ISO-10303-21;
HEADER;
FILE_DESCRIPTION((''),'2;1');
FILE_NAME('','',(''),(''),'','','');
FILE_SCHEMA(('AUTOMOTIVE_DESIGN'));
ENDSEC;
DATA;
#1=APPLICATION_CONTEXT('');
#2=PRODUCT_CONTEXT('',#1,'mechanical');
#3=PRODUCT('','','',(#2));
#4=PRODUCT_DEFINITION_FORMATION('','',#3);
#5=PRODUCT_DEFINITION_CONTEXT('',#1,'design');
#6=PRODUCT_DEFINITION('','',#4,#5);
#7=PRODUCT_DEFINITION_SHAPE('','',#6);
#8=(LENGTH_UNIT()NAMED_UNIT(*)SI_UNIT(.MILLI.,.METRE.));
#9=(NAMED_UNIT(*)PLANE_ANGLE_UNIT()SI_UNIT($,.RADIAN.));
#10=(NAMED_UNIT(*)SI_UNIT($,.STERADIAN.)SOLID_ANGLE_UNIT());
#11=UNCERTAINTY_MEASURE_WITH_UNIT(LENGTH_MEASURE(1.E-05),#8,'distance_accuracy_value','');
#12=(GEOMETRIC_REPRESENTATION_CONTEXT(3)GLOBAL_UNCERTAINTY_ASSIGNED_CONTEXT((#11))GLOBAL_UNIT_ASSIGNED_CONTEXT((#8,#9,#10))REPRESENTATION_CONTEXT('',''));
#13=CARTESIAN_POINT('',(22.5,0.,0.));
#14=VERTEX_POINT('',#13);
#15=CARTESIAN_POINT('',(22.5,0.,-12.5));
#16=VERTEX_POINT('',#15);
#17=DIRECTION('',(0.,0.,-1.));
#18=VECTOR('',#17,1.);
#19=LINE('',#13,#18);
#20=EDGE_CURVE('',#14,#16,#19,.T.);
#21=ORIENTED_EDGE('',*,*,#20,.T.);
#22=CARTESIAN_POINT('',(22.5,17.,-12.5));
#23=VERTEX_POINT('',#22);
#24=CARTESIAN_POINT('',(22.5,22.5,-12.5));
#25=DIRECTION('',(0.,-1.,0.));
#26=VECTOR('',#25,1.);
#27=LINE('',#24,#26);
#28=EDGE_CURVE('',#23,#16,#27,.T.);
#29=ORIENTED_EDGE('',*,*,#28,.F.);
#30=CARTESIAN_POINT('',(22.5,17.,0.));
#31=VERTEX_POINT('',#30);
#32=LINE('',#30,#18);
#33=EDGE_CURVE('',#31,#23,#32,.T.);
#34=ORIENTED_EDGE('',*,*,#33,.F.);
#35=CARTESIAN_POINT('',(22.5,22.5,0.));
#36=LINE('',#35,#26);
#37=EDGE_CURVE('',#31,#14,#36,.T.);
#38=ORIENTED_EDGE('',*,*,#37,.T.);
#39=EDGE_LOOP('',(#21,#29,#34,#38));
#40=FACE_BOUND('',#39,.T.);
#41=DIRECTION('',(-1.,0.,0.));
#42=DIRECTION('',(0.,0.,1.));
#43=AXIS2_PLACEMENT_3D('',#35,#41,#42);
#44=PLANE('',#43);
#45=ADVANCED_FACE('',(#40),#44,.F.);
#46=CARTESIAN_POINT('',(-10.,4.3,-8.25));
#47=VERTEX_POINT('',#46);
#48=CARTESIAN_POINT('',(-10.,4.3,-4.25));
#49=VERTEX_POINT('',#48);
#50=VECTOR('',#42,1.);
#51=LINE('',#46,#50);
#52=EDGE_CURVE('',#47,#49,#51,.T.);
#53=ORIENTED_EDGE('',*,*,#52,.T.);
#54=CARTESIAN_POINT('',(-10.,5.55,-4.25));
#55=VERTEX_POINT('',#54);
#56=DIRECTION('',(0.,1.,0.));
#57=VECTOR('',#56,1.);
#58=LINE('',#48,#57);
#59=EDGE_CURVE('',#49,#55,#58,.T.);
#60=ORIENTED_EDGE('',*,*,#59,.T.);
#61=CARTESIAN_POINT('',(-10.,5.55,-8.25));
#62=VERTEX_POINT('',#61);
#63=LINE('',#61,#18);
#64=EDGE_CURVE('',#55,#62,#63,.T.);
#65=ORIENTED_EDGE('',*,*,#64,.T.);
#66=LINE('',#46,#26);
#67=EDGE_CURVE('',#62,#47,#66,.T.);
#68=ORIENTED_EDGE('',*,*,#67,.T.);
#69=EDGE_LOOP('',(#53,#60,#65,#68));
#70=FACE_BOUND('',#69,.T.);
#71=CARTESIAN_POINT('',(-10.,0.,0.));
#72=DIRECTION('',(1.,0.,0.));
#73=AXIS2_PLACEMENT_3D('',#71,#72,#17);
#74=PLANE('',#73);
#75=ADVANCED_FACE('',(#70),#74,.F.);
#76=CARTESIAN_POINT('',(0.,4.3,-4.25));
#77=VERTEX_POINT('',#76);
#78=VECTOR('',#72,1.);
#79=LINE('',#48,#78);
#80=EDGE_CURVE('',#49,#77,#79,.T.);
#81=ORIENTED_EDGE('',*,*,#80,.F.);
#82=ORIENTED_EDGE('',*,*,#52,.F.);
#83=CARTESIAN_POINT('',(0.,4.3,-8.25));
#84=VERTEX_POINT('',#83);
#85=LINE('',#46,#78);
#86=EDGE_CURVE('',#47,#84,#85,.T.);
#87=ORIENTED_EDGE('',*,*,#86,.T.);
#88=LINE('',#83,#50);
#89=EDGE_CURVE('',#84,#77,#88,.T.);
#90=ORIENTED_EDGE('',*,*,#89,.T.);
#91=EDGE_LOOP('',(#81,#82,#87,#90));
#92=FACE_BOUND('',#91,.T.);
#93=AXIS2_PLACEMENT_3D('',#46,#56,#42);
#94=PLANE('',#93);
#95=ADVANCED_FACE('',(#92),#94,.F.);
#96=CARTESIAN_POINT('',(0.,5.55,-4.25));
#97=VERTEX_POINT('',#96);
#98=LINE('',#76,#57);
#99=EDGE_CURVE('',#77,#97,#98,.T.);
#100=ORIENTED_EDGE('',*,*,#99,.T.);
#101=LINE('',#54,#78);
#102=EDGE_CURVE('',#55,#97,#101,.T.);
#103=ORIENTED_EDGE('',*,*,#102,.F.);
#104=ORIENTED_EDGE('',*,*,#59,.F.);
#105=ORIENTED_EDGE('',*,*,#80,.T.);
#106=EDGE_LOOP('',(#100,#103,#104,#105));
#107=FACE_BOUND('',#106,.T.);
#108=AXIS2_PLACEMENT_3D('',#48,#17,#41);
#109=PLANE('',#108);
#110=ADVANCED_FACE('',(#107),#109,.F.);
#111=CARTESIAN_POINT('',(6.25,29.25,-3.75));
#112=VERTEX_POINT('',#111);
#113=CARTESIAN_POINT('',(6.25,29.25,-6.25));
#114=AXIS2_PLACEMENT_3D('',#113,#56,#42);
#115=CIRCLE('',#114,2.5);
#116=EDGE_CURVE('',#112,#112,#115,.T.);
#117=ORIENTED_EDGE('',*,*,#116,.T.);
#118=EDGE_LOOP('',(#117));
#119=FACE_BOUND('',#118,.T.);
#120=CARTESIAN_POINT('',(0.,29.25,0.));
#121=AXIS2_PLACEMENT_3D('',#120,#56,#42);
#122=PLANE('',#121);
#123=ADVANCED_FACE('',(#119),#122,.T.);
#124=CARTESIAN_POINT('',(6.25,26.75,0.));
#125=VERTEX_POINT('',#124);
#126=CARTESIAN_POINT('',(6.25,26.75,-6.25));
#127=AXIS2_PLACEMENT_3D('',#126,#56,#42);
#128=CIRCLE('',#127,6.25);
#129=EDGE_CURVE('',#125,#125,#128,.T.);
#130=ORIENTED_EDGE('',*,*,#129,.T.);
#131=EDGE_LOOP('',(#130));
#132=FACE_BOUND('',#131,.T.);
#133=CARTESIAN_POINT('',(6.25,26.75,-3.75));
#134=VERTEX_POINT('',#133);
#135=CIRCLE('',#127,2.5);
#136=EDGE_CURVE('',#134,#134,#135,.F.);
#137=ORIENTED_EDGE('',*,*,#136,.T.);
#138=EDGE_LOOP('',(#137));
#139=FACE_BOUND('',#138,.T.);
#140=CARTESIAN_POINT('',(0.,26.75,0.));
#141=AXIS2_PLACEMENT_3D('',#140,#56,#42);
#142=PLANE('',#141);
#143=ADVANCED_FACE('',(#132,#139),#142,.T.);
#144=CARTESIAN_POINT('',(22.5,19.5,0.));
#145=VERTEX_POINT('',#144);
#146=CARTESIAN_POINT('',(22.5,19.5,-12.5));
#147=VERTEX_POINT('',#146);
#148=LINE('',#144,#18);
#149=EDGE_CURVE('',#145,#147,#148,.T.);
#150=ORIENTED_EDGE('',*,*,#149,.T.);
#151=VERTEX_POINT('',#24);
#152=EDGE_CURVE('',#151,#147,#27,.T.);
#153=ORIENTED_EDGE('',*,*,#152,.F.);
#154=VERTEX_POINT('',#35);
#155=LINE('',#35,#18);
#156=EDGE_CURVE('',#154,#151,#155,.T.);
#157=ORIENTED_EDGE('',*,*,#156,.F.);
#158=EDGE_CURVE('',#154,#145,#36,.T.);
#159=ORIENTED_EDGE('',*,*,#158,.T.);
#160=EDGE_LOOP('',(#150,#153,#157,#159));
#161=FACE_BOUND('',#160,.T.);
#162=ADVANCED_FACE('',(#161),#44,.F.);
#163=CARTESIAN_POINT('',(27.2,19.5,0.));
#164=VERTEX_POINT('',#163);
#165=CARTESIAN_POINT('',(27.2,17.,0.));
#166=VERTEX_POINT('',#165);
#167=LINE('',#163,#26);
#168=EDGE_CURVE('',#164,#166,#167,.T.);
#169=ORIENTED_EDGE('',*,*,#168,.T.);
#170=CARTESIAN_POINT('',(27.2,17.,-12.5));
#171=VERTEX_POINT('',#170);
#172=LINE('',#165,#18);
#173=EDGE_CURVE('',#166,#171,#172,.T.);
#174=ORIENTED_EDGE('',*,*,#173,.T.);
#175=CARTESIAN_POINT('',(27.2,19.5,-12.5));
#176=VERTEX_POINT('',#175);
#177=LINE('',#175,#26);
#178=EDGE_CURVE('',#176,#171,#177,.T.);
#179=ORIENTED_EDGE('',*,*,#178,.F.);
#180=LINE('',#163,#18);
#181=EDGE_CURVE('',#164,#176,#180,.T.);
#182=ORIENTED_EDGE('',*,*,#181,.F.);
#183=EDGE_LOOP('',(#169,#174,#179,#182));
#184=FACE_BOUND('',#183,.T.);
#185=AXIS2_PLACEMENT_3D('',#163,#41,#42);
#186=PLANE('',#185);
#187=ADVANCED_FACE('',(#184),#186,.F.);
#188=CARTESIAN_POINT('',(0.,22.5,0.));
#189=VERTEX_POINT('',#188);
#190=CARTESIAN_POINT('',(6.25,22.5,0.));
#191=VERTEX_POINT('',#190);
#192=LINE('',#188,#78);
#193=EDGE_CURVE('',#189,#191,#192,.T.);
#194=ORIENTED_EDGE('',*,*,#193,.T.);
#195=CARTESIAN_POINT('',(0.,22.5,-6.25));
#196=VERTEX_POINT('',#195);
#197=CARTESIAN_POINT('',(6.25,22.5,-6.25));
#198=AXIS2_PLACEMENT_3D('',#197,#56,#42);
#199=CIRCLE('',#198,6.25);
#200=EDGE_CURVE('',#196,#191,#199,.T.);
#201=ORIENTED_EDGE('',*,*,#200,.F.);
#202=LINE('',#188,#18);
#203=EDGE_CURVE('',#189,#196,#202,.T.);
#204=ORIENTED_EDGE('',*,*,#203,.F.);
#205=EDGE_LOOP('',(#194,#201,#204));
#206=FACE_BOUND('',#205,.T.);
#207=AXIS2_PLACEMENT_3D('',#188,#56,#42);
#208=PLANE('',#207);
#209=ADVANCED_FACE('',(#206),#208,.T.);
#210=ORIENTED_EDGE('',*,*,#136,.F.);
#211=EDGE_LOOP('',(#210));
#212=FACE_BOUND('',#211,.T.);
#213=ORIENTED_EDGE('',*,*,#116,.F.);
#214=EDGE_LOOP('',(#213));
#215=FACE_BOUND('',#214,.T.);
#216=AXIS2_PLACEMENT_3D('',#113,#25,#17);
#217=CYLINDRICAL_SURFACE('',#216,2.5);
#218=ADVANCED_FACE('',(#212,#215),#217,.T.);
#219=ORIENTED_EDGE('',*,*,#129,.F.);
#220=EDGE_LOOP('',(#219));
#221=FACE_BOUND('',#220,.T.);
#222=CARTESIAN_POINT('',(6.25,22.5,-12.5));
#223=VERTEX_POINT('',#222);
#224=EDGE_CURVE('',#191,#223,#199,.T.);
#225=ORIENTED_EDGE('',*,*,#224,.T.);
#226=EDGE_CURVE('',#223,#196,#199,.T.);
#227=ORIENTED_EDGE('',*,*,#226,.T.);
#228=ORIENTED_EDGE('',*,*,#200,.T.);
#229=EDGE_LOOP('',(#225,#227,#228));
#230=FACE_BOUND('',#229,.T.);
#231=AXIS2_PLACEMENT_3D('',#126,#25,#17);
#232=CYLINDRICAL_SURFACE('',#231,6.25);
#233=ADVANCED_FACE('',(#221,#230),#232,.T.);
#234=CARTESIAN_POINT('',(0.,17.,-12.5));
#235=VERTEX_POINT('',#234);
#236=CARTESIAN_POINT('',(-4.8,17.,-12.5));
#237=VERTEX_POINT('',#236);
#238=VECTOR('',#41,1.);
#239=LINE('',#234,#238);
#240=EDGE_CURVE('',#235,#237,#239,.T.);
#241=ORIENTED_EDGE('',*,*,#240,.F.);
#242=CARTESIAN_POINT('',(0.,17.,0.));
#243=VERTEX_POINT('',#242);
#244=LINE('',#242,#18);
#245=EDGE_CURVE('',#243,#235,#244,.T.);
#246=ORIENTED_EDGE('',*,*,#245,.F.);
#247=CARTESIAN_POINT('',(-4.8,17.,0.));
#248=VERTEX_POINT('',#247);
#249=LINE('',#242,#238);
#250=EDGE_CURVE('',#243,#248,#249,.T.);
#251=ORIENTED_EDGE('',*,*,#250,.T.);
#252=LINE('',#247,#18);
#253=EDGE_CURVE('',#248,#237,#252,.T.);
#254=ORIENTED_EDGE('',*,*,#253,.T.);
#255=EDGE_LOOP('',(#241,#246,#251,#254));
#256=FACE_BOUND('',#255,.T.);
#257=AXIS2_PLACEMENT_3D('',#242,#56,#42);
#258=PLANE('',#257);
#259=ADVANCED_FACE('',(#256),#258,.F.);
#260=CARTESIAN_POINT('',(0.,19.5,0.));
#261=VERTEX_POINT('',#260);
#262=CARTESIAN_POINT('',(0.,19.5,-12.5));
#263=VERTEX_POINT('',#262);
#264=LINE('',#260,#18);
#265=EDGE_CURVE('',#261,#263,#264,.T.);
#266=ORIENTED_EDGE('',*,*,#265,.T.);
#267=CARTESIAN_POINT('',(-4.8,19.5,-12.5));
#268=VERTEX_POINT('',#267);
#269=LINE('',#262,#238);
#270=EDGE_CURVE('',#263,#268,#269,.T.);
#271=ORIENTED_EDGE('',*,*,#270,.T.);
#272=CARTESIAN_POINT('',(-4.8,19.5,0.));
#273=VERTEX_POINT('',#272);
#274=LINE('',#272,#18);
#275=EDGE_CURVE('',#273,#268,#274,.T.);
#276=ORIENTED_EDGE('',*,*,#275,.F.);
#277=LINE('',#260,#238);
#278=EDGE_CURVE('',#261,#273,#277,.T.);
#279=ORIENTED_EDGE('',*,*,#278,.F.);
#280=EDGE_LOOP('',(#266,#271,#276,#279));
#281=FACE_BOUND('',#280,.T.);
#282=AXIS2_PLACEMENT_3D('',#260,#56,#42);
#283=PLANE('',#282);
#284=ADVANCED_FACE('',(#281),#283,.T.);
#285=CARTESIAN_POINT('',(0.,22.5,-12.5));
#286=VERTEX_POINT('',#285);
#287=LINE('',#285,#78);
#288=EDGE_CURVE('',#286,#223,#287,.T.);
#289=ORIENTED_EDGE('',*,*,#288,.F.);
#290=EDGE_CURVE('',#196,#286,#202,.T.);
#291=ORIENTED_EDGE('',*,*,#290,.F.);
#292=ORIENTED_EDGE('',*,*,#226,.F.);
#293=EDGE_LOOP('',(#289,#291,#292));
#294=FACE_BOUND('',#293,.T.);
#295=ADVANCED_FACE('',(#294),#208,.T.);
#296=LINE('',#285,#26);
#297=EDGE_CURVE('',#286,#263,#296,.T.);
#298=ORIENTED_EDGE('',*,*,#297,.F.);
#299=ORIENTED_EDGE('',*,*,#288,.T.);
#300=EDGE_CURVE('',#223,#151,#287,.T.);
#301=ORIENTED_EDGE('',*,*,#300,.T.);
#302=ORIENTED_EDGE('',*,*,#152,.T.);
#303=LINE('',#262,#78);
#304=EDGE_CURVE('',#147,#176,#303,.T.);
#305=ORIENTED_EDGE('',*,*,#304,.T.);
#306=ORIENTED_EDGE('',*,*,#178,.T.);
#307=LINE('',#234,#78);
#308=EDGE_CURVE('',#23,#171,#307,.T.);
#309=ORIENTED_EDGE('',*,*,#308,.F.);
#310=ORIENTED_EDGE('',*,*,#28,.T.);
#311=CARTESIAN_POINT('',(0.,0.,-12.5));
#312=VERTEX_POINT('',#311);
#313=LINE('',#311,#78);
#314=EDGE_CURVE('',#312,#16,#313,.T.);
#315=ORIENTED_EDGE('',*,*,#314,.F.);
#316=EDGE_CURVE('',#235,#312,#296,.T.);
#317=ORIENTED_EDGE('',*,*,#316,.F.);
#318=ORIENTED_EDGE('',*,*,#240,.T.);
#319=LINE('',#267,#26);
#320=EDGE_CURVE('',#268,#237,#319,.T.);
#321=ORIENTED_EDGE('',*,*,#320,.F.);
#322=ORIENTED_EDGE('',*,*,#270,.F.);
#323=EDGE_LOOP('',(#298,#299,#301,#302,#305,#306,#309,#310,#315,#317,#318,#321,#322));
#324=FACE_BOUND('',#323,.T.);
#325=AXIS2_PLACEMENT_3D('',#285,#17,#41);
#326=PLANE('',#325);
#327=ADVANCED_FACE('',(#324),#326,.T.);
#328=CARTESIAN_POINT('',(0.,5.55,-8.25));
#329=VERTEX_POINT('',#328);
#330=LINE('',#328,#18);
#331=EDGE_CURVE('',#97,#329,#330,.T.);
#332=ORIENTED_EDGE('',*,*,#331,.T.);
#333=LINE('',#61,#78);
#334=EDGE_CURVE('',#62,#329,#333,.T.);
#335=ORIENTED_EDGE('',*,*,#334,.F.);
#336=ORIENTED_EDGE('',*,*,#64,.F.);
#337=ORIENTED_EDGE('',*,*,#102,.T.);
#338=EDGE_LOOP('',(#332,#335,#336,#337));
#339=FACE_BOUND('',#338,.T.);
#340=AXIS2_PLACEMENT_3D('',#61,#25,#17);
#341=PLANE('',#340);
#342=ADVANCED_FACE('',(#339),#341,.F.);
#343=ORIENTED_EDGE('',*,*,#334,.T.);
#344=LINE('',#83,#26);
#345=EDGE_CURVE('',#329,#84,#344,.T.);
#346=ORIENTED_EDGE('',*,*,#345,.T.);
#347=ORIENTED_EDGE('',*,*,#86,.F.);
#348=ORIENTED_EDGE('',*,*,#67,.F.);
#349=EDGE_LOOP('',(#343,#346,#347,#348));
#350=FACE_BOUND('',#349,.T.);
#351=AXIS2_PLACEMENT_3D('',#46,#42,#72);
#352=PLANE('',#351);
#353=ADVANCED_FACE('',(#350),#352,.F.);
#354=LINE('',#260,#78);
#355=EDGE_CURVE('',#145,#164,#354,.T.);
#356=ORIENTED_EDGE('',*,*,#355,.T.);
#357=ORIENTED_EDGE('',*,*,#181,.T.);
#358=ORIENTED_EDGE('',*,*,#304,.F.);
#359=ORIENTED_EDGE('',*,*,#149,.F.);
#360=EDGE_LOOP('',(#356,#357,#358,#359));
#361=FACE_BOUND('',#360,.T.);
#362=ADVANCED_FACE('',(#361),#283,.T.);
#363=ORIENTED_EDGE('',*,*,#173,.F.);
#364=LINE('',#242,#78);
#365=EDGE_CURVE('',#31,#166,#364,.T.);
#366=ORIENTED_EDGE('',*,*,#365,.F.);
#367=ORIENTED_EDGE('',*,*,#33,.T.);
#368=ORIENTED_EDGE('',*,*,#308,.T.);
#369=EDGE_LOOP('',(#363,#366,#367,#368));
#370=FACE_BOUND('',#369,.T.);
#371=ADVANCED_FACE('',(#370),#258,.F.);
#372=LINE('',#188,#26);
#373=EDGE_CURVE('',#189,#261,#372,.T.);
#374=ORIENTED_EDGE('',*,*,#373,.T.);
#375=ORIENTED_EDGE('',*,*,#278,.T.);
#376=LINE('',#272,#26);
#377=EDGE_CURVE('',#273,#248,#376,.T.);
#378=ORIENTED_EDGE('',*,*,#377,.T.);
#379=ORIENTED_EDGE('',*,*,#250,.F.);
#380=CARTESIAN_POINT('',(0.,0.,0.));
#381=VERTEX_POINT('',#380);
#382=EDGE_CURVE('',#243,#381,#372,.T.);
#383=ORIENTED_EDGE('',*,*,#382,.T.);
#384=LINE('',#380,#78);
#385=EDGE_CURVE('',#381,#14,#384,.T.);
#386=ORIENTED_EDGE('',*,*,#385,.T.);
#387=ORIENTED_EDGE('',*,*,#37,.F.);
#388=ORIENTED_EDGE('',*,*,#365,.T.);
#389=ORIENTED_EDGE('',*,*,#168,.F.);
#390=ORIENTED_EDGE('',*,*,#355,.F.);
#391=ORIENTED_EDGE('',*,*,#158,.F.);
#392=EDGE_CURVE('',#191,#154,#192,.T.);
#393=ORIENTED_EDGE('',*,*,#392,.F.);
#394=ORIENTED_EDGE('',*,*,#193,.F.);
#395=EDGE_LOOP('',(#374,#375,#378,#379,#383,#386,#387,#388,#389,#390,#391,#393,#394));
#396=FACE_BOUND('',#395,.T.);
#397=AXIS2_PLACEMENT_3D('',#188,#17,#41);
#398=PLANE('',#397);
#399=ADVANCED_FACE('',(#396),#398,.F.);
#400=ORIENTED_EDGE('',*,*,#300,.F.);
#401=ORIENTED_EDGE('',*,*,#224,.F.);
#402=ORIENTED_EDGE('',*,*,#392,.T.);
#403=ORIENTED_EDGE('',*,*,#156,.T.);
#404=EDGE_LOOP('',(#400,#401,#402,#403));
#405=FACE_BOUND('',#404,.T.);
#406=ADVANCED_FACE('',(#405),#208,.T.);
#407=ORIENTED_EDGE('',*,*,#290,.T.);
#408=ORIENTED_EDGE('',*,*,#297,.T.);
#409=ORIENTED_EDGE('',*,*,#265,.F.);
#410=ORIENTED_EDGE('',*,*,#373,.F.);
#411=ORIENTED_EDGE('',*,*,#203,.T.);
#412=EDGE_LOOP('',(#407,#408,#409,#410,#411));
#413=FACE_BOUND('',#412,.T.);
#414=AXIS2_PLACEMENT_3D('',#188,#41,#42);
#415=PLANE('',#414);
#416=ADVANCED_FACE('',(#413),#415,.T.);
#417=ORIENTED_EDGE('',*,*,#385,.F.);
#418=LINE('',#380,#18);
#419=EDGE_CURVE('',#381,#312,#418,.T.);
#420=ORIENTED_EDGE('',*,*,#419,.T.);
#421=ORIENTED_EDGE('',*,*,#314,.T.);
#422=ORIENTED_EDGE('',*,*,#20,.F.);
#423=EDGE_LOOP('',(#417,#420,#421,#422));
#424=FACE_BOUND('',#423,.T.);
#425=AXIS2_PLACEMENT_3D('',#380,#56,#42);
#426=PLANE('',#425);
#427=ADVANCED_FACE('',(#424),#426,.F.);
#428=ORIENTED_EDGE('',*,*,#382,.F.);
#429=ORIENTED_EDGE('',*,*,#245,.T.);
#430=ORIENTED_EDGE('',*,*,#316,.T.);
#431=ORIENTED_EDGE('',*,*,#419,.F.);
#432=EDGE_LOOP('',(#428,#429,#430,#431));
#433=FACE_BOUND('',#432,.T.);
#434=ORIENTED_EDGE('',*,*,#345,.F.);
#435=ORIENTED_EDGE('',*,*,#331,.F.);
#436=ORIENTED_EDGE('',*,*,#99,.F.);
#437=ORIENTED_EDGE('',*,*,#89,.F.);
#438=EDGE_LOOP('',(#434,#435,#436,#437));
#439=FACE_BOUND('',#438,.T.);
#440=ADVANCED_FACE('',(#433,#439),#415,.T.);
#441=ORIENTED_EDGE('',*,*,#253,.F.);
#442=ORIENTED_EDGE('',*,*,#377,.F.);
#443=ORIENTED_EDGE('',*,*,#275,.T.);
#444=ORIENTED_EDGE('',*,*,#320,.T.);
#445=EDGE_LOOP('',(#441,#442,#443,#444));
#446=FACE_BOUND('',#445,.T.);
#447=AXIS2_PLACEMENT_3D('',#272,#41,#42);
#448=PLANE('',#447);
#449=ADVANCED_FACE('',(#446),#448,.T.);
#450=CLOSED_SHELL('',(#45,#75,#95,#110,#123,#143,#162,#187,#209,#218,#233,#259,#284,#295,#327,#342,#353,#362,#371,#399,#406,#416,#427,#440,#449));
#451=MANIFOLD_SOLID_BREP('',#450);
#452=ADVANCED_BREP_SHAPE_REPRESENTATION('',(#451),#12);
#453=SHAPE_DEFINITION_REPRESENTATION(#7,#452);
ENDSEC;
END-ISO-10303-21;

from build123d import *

# Parameters (mm, degrees)
SKETCH1_W           = 22.5
SKETCH1_H           = 12.5
BOSS_EXTRUDE1_DEPTH = 22.5
BOSS_EXTRUDE2_START = 17
SKETCH1_3_W         = 4.8
SKETCH1_3_H         = 12.5
SKETCH1_3_W_2       = 4.7
BOSS_EXTRUDE2_DEPTH = 2.5
SKETCH2_R           = 6.25
BOSS_EXTRUDE3_DEPTH = 4.25
SKETCH2_3_R         = 2.5
BOSS_EXTRUDE4_DEPTH = 6.75
SKETCH3_W           = 4
SKETCH3_H           = 1.25
BOSS_EXTRUDE5_DEPTH = 10


with BuildPart() as part:
    # Sketch1 → Boss-Extrude1 (new body)
    with BuildSketch(Plane(origin=(0, 0, 0), x_dir=(1, 0, 0), z_dir=(0, 1, 0))):
        with Locations((11.25, 6.25)):
            Rectangle(SKETCH1_W, SKETCH1_H)
    extrude(amount=BOSS_EXTRUDE1_DEPTH)

    # Sketch1<3> → Boss-Extrude2 (add)
    with BuildSketch(Plane(origin=(0, 0, 0), x_dir=(1, 0, 0), z_dir=(0, 1, 0)).offset(BOSS_EXTRUDE2_START)):
        with Locations((-2.4, 6.25)):
            Rectangle(SKETCH1_3_W, SKETCH1_3_H)
        with Locations((24.85, 6.25)):
            Rectangle(SKETCH1_3_W_2, SKETCH1_3_H)
    extrude(amount=BOSS_EXTRUDE2_DEPTH)

    # Sketch2 → Boss-Extrude3 (add)
    with BuildSketch(Plane(origin=(0, 22.5, 0), x_dir=(1, 0, 0), z_dir=(0, 1, 0))):
        with Locations((6.25, 6.25)):
            Circle(SKETCH2_R)
    extrude(amount=BOSS_EXTRUDE3_DEPTH)

    # Sketch2<3> → Boss-Extrude4 (add)
    with BuildSketch(Plane(origin=(0, 22.5, 0), x_dir=(1, 0, 0), z_dir=(0, 1, 0))):
        with Locations((6.25, 6.25)):
            Circle(SKETCH2_3_R)
    extrude(amount=BOSS_EXTRUDE4_DEPTH)

    # Sketch3 → Boss-Extrude5 (add)
    with BuildSketch(Plane.ZY):
        with Locations((-6.25, 4.925)):
            Rectangle(SKETCH3_W, SKETCH3_H)
    extrude(amount=BOSS_EXTRUDE5_DEPTH)


solid = part.part
